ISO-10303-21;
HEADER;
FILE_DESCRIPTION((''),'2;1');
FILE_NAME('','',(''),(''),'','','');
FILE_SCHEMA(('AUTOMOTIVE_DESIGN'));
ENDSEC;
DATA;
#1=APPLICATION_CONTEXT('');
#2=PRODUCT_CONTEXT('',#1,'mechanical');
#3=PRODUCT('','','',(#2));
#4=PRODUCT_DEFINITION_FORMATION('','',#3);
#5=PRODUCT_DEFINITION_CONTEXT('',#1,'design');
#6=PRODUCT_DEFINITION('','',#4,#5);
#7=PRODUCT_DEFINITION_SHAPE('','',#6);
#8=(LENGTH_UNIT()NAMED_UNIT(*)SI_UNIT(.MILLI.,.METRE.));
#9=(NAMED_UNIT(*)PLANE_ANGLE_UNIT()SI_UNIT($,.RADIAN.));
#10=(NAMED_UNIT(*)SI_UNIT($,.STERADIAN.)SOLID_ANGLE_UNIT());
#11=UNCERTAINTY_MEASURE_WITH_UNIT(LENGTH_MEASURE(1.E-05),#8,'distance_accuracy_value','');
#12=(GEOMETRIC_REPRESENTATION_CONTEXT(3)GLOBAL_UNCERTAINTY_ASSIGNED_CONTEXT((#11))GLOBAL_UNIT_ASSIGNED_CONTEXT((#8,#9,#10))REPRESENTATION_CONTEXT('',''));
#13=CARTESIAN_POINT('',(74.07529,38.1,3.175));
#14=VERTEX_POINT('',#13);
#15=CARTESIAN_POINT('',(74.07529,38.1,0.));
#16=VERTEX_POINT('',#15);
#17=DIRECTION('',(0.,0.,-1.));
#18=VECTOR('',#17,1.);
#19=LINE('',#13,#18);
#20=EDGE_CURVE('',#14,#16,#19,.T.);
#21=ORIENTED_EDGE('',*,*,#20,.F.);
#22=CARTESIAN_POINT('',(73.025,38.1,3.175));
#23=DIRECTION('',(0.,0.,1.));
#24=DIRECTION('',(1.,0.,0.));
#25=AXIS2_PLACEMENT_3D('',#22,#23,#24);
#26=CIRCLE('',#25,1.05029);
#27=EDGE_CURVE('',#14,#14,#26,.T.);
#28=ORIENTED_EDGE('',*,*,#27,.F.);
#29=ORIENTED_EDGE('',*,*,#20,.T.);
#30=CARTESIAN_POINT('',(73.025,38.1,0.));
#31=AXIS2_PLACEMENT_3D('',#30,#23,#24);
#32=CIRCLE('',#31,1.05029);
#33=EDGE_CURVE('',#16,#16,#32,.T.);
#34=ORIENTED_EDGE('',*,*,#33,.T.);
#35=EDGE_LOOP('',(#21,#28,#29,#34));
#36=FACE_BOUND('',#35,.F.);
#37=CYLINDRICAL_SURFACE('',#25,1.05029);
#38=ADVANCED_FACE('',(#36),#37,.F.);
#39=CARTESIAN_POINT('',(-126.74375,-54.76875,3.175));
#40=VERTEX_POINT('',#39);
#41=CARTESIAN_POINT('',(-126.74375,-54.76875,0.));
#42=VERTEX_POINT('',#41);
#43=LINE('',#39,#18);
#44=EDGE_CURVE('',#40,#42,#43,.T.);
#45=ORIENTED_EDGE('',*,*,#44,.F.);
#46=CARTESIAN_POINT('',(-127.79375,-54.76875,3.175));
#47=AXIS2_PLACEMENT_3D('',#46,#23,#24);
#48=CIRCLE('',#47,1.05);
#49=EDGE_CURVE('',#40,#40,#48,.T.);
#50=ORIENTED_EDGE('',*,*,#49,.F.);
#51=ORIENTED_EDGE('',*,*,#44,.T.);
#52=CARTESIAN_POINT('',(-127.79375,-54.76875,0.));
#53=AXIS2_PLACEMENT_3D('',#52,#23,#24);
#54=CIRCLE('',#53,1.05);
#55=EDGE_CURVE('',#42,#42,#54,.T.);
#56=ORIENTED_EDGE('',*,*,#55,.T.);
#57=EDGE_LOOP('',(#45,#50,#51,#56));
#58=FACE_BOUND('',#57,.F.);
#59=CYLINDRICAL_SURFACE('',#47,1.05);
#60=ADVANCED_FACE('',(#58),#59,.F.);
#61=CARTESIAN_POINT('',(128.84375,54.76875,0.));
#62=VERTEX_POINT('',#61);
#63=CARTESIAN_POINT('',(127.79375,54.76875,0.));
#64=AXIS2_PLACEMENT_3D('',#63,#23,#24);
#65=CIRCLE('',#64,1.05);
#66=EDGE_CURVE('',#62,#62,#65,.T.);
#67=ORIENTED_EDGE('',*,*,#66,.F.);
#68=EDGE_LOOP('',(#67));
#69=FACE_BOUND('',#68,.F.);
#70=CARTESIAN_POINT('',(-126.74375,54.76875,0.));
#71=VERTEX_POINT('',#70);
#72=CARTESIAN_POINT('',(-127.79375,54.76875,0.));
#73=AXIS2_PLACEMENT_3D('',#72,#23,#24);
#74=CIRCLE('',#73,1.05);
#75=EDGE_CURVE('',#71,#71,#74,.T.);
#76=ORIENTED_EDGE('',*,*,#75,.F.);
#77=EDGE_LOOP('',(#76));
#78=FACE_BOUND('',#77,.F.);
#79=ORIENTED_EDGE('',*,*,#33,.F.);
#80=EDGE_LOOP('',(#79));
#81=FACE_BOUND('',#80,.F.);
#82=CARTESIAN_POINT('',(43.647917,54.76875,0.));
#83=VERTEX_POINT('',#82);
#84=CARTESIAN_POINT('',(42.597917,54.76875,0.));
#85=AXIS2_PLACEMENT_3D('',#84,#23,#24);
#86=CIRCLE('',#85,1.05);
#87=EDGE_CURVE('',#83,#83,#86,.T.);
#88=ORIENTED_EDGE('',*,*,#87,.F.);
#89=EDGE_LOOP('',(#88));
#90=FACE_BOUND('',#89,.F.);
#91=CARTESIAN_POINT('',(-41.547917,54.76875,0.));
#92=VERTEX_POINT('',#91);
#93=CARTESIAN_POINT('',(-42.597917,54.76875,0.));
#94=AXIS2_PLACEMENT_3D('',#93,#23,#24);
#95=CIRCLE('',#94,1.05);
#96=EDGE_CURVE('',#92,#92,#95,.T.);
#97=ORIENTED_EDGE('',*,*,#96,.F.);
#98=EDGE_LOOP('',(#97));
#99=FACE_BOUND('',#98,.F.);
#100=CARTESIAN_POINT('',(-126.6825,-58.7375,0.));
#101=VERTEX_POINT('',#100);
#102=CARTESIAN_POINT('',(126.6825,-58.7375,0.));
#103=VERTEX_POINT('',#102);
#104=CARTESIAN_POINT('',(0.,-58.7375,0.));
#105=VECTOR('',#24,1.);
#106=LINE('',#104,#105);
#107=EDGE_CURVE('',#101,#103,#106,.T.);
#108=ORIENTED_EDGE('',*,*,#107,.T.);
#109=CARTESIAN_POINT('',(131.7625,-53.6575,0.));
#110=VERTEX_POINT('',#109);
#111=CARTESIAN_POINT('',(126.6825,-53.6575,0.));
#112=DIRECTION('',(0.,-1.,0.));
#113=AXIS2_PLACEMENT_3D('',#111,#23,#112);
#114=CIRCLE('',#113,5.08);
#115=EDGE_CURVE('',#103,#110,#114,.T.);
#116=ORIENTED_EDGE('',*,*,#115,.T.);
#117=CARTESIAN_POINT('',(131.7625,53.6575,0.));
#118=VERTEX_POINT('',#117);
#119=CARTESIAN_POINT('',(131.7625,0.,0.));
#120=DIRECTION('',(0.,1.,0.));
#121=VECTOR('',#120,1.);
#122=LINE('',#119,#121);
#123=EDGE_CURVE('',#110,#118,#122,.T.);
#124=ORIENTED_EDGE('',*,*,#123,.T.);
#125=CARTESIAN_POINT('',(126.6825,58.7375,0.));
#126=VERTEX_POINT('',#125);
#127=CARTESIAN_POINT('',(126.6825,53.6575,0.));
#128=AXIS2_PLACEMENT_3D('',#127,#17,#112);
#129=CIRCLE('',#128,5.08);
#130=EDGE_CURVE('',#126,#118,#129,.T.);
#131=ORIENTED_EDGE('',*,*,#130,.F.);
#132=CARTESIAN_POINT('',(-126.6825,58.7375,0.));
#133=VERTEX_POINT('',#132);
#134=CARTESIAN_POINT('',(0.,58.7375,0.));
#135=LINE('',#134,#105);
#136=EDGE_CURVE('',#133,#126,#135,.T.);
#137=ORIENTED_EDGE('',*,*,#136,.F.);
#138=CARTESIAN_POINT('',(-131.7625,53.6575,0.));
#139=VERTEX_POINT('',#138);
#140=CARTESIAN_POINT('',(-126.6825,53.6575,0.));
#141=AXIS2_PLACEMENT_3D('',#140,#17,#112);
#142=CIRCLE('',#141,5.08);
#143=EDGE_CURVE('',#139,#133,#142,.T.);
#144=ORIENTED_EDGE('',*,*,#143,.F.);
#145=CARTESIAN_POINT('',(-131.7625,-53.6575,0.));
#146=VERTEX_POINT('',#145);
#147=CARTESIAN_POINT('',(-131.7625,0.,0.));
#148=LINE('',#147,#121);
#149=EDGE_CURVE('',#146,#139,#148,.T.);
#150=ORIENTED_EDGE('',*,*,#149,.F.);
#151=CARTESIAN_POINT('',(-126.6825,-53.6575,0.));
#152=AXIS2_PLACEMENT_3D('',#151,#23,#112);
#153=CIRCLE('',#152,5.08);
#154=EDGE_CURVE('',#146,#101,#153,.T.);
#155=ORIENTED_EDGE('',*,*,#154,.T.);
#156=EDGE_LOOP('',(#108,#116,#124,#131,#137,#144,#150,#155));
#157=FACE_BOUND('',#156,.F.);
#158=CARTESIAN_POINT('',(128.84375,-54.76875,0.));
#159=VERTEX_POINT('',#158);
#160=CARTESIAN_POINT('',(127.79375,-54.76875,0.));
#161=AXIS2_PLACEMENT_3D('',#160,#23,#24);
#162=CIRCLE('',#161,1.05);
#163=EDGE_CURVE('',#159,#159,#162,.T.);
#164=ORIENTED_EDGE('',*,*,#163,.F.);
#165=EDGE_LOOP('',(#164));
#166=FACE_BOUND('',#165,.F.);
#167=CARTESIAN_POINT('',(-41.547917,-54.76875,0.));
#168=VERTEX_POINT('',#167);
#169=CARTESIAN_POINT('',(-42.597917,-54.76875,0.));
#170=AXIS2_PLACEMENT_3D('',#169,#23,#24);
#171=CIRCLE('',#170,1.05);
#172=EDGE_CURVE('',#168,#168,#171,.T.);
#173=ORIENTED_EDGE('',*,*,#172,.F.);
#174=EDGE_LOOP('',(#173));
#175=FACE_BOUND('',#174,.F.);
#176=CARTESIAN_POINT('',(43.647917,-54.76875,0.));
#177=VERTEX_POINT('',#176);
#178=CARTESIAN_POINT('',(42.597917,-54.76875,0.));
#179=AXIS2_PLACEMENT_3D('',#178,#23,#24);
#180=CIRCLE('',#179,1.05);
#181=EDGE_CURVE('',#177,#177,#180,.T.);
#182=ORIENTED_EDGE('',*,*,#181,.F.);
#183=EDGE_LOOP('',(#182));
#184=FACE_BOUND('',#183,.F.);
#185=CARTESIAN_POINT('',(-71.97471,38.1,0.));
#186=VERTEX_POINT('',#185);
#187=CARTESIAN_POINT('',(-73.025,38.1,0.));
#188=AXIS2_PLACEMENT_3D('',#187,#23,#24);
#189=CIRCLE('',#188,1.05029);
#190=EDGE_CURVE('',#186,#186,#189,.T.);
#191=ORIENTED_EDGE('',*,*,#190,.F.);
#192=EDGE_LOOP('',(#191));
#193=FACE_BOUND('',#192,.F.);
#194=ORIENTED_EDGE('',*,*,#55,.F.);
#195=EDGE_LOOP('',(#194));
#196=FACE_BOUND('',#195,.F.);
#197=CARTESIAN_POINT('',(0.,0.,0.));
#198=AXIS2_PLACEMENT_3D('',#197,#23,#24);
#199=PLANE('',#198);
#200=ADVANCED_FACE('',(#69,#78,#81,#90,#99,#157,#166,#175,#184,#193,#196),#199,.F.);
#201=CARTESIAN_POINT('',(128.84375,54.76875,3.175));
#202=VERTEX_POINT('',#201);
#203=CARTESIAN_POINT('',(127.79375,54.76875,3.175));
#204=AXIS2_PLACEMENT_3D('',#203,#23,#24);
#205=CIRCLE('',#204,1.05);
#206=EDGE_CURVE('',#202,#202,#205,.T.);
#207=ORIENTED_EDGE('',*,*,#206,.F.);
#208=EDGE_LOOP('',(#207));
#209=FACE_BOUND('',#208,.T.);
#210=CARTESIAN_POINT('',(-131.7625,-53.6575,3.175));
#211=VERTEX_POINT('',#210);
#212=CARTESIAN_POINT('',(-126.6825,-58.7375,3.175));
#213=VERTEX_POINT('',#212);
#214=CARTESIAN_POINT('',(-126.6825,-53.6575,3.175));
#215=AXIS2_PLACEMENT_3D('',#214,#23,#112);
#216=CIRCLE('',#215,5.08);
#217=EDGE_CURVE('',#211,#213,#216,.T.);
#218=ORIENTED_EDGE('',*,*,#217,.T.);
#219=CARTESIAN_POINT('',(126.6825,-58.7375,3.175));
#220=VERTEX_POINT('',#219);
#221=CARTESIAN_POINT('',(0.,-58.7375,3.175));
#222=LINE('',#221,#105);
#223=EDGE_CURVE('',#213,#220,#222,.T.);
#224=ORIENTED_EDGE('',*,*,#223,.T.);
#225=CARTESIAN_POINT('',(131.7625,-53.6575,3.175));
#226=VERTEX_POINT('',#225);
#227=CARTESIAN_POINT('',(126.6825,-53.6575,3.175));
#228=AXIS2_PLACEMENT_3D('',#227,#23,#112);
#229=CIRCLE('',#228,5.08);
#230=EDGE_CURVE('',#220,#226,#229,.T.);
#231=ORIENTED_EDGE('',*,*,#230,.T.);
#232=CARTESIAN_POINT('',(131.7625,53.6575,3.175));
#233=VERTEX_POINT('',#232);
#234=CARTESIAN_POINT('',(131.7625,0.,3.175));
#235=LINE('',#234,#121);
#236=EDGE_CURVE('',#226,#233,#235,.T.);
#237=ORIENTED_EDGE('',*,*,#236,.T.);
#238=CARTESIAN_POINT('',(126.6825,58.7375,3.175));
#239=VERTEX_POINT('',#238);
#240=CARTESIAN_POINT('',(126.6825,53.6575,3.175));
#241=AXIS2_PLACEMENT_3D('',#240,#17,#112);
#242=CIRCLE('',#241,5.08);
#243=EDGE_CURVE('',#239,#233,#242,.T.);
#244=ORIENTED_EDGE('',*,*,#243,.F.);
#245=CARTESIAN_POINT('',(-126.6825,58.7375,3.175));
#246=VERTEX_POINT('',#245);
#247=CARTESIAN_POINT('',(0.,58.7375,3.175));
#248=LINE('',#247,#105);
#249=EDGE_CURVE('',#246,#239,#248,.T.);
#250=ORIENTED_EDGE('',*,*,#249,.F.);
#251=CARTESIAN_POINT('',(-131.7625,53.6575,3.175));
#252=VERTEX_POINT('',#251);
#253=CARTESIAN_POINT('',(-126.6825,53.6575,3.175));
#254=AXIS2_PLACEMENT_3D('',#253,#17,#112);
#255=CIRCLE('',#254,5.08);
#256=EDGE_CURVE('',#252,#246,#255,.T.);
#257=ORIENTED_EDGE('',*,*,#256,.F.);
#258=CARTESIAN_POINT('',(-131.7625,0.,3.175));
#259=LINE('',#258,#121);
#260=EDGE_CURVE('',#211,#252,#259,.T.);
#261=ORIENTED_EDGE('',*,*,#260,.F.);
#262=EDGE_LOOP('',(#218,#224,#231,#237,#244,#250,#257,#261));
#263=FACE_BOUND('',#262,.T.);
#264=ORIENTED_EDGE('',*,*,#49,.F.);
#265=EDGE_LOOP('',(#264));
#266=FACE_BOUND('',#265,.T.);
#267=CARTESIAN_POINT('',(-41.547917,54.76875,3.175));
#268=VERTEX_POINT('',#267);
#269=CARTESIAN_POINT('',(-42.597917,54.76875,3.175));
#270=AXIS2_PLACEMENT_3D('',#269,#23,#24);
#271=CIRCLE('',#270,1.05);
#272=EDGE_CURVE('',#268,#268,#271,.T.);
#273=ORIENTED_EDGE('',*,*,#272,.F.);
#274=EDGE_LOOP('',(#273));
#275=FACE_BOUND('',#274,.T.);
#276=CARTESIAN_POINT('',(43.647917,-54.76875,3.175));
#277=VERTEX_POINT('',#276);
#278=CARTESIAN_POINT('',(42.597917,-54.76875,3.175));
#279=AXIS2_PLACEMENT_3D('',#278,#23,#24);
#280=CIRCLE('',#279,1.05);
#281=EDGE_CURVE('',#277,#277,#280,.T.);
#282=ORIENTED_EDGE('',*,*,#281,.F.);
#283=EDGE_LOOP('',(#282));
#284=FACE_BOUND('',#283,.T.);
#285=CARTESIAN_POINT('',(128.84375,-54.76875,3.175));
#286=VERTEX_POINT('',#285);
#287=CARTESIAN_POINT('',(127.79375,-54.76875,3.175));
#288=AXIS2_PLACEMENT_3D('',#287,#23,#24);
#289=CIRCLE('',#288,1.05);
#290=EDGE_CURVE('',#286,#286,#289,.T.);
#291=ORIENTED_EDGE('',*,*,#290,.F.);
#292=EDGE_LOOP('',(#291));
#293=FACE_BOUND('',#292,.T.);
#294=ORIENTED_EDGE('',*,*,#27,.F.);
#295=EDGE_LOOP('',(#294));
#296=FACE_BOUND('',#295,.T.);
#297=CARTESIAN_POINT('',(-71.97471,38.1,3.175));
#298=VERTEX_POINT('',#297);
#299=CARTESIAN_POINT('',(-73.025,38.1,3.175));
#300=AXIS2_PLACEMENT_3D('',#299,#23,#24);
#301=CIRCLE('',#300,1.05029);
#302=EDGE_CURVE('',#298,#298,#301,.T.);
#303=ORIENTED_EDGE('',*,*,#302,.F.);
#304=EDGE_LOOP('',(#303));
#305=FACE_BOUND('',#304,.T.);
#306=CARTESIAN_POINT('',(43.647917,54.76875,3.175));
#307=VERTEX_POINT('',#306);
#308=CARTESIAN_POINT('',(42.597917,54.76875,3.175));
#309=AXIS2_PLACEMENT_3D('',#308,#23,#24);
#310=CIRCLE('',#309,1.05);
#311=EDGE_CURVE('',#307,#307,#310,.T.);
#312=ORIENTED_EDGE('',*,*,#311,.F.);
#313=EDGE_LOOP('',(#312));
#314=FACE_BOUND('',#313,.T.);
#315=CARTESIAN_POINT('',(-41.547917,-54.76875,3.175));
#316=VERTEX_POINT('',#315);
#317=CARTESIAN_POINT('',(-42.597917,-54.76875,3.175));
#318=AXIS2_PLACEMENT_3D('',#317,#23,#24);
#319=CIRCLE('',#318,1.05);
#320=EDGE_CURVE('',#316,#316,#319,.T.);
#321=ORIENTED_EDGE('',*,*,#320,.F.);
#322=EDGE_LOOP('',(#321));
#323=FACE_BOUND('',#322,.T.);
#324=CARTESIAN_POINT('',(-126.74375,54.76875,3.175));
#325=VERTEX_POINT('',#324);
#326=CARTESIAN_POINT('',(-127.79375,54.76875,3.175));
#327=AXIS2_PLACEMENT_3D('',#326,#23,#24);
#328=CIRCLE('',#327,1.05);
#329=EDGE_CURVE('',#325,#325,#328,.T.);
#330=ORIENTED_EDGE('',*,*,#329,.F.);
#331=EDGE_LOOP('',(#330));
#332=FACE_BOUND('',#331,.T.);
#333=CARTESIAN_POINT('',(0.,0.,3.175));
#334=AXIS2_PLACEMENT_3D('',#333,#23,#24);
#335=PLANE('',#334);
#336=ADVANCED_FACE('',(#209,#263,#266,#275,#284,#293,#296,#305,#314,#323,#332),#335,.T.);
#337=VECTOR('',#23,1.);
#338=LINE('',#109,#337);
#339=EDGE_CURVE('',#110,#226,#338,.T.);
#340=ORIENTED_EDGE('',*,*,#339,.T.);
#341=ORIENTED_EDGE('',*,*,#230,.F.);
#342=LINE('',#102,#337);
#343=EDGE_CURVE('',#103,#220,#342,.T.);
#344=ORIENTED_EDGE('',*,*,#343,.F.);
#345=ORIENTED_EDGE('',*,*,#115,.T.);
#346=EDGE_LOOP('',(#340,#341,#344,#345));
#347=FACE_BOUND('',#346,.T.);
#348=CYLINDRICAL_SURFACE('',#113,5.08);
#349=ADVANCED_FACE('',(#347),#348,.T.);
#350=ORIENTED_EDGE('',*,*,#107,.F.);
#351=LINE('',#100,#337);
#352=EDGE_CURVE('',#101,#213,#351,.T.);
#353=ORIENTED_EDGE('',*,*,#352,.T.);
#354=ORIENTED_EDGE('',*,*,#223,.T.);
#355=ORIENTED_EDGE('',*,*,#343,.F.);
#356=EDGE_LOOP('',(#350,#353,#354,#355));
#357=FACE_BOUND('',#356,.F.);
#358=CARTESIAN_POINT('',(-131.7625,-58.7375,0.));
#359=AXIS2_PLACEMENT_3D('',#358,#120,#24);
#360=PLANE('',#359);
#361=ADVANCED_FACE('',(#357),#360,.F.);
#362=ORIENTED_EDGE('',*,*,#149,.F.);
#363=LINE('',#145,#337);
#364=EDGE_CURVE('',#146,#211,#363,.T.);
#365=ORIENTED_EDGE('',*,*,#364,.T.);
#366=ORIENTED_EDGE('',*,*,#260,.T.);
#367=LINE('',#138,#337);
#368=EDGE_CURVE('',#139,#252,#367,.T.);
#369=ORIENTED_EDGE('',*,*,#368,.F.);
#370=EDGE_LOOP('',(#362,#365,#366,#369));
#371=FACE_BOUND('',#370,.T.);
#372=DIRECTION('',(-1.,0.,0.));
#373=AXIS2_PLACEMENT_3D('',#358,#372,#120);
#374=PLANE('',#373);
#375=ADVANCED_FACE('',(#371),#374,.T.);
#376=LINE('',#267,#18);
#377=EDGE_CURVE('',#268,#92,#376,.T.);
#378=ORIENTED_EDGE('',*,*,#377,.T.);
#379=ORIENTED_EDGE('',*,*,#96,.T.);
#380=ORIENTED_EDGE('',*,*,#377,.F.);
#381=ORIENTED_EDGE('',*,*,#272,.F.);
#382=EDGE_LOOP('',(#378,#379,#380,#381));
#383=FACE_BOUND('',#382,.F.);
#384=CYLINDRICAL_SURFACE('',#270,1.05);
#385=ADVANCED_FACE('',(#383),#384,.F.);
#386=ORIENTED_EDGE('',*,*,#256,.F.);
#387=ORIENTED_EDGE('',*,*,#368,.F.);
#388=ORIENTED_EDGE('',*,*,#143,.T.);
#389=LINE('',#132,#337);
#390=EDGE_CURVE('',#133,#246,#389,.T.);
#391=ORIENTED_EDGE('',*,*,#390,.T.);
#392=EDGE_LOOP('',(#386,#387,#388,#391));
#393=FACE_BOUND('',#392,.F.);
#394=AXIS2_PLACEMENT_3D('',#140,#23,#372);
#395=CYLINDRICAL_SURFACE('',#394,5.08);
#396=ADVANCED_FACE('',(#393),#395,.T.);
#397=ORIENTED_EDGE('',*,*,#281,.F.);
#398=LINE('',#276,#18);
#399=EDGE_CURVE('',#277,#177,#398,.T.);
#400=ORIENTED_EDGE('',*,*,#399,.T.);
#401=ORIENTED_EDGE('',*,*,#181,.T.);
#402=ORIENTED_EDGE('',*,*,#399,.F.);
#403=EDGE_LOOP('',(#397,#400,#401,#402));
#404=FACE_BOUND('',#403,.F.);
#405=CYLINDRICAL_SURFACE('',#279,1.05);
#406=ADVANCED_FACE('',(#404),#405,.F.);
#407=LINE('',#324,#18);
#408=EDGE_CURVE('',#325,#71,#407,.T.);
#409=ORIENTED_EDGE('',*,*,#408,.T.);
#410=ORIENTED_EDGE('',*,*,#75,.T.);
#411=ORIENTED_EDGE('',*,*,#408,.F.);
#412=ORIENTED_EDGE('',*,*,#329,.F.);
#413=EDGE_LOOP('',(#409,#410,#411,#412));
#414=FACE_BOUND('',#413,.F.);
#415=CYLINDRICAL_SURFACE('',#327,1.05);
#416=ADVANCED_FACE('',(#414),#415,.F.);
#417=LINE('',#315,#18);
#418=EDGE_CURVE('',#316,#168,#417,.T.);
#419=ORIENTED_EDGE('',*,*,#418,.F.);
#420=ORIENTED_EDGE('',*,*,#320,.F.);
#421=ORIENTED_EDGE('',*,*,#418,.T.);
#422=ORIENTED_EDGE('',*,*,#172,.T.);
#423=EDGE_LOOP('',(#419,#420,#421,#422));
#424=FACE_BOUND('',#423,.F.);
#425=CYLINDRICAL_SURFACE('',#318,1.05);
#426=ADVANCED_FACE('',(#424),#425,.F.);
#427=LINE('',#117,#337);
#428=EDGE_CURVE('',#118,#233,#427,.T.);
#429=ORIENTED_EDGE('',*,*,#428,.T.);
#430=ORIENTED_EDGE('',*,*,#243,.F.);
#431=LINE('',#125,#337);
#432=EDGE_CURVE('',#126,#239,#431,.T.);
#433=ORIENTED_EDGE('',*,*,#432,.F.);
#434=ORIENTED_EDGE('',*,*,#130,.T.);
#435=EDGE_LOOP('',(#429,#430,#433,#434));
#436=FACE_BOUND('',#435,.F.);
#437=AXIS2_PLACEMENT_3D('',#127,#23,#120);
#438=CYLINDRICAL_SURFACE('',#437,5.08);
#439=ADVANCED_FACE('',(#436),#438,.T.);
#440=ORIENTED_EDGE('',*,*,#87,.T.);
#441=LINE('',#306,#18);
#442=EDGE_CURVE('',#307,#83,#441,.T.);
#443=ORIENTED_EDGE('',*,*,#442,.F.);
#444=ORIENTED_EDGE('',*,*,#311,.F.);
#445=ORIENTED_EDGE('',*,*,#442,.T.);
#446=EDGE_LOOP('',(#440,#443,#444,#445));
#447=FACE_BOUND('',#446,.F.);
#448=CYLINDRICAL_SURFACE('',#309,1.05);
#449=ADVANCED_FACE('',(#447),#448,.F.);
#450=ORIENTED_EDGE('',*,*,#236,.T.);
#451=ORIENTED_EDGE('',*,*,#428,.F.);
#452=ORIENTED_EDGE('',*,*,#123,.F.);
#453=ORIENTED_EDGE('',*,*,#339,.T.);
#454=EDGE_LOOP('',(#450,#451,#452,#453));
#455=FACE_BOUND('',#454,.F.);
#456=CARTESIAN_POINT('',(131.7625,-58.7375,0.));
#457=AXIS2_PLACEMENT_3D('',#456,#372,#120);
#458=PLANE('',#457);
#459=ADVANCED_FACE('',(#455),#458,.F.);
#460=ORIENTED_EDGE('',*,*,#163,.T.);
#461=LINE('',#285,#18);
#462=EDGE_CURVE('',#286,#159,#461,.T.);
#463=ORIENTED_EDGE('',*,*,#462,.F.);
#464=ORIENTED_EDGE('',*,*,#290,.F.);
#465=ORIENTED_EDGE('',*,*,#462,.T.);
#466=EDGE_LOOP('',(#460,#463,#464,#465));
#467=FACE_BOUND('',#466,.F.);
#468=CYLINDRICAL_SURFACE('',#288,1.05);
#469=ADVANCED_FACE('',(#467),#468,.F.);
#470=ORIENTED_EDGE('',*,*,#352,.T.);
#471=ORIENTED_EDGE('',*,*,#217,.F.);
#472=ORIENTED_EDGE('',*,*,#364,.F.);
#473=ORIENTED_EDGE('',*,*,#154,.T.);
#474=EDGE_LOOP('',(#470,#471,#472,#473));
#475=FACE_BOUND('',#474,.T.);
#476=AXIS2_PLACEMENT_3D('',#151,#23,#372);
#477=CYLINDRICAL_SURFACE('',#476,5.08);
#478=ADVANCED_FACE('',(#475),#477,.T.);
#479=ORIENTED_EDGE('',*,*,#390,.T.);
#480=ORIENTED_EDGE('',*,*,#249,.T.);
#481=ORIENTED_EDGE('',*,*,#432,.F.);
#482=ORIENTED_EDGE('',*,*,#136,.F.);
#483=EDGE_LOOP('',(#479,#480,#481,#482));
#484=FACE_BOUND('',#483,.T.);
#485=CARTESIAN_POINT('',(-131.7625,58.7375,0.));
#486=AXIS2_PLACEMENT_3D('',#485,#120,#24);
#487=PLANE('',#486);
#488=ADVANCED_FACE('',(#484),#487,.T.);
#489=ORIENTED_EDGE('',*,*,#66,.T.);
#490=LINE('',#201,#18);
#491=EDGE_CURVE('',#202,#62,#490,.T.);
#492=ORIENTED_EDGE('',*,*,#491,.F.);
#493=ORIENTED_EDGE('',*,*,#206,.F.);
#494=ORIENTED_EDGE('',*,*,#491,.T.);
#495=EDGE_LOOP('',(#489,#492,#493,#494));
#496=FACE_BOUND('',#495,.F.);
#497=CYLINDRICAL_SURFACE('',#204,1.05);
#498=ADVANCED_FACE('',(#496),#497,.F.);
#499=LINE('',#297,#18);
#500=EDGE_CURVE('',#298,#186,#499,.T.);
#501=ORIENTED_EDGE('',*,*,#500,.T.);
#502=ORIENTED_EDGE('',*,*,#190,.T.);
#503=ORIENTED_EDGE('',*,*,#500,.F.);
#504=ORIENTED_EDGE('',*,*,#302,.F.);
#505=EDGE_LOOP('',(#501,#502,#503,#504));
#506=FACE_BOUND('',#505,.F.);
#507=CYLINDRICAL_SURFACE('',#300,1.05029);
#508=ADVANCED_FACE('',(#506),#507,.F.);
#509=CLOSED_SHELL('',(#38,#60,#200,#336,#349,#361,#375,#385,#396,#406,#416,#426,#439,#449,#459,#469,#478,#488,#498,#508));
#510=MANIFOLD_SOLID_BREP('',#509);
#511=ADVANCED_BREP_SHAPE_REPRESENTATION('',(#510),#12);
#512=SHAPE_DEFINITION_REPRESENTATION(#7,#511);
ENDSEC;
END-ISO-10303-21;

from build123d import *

# Parameters (mm, degrees)
SKETCH_W      = 263.525
SKETCH_H      = 117.475
PAD_DEPTH     = 3.175
SKETCH001_R   = 1.05
HOLE_DEPTH    = 3.176
SKETCH002_R   = 1.05029
HOLE001_DEPTH = 3.176
FILLET_R      = 5.08


with BuildPart() as part:
    # Sketch → Pad (new body)
    with BuildSketch(Plane.XY):
        Rectangle(SKETCH_W, SKETCH_H)
    extrude(amount=PAD_DEPTH)

    # Sketch001 (on Face6 of Pad) → Hole (cut, through all)
    with BuildSketch(Plane.XY.offset(3.175)):
        with Locations((-42.597917, 54.76875)):
            Circle(SKETCH001_R)
        with Locations((42.597917, 54.76875)):
            Circle(SKETCH001_R)
        with Locations((42.597917, -54.76875)):
            Circle(SKETCH001_R)
        with Locations((-42.597917, -54.76875)):
            Circle(SKETCH001_R)
        with Locations((-127.79375, -54.76875)):
            Circle(SKETCH001_R)
        with Locations((-127.79375, 54.76875)):
            Circle(SKETCH001_R)
        with Locations((127.79375, 54.76875)):
            Circle(SKETCH001_R)
        with Locations((127.79375, -54.76875)):
            Circle(SKETCH001_R)
    extrude(amount=-HOLE_DEPTH, mode=Mode.SUBTRACT)

    # Sketch002 (on Face5 of Hole) → Hole001 (cut, through all)
    with BuildSketch(Plane.XY.offset(3.175)):
        with Locations((-73.025, 38.1)):
            Circle(SKETCH002_R)
        with Locations((73.025, 38.1)):
            Circle(SKETCH002_R)
    extrude(amount=-HOLE001_DEPTH, mode=Mode.SUBTRACT)

    # Fillet
    fillet_edges = [part.edges().sort_by_distance(p)[0] for p in [
        (-131.7625, 58.7375, 1.5875),
        (-131.7625, -58.7375, 1.5875),
        (131.7625, 58.7375, 1.5875),
        (131.7625, -58.7375, 1.5875),
    ]]
    fillet(fillet_edges, radius=FILLET_R)


solid = part.part
